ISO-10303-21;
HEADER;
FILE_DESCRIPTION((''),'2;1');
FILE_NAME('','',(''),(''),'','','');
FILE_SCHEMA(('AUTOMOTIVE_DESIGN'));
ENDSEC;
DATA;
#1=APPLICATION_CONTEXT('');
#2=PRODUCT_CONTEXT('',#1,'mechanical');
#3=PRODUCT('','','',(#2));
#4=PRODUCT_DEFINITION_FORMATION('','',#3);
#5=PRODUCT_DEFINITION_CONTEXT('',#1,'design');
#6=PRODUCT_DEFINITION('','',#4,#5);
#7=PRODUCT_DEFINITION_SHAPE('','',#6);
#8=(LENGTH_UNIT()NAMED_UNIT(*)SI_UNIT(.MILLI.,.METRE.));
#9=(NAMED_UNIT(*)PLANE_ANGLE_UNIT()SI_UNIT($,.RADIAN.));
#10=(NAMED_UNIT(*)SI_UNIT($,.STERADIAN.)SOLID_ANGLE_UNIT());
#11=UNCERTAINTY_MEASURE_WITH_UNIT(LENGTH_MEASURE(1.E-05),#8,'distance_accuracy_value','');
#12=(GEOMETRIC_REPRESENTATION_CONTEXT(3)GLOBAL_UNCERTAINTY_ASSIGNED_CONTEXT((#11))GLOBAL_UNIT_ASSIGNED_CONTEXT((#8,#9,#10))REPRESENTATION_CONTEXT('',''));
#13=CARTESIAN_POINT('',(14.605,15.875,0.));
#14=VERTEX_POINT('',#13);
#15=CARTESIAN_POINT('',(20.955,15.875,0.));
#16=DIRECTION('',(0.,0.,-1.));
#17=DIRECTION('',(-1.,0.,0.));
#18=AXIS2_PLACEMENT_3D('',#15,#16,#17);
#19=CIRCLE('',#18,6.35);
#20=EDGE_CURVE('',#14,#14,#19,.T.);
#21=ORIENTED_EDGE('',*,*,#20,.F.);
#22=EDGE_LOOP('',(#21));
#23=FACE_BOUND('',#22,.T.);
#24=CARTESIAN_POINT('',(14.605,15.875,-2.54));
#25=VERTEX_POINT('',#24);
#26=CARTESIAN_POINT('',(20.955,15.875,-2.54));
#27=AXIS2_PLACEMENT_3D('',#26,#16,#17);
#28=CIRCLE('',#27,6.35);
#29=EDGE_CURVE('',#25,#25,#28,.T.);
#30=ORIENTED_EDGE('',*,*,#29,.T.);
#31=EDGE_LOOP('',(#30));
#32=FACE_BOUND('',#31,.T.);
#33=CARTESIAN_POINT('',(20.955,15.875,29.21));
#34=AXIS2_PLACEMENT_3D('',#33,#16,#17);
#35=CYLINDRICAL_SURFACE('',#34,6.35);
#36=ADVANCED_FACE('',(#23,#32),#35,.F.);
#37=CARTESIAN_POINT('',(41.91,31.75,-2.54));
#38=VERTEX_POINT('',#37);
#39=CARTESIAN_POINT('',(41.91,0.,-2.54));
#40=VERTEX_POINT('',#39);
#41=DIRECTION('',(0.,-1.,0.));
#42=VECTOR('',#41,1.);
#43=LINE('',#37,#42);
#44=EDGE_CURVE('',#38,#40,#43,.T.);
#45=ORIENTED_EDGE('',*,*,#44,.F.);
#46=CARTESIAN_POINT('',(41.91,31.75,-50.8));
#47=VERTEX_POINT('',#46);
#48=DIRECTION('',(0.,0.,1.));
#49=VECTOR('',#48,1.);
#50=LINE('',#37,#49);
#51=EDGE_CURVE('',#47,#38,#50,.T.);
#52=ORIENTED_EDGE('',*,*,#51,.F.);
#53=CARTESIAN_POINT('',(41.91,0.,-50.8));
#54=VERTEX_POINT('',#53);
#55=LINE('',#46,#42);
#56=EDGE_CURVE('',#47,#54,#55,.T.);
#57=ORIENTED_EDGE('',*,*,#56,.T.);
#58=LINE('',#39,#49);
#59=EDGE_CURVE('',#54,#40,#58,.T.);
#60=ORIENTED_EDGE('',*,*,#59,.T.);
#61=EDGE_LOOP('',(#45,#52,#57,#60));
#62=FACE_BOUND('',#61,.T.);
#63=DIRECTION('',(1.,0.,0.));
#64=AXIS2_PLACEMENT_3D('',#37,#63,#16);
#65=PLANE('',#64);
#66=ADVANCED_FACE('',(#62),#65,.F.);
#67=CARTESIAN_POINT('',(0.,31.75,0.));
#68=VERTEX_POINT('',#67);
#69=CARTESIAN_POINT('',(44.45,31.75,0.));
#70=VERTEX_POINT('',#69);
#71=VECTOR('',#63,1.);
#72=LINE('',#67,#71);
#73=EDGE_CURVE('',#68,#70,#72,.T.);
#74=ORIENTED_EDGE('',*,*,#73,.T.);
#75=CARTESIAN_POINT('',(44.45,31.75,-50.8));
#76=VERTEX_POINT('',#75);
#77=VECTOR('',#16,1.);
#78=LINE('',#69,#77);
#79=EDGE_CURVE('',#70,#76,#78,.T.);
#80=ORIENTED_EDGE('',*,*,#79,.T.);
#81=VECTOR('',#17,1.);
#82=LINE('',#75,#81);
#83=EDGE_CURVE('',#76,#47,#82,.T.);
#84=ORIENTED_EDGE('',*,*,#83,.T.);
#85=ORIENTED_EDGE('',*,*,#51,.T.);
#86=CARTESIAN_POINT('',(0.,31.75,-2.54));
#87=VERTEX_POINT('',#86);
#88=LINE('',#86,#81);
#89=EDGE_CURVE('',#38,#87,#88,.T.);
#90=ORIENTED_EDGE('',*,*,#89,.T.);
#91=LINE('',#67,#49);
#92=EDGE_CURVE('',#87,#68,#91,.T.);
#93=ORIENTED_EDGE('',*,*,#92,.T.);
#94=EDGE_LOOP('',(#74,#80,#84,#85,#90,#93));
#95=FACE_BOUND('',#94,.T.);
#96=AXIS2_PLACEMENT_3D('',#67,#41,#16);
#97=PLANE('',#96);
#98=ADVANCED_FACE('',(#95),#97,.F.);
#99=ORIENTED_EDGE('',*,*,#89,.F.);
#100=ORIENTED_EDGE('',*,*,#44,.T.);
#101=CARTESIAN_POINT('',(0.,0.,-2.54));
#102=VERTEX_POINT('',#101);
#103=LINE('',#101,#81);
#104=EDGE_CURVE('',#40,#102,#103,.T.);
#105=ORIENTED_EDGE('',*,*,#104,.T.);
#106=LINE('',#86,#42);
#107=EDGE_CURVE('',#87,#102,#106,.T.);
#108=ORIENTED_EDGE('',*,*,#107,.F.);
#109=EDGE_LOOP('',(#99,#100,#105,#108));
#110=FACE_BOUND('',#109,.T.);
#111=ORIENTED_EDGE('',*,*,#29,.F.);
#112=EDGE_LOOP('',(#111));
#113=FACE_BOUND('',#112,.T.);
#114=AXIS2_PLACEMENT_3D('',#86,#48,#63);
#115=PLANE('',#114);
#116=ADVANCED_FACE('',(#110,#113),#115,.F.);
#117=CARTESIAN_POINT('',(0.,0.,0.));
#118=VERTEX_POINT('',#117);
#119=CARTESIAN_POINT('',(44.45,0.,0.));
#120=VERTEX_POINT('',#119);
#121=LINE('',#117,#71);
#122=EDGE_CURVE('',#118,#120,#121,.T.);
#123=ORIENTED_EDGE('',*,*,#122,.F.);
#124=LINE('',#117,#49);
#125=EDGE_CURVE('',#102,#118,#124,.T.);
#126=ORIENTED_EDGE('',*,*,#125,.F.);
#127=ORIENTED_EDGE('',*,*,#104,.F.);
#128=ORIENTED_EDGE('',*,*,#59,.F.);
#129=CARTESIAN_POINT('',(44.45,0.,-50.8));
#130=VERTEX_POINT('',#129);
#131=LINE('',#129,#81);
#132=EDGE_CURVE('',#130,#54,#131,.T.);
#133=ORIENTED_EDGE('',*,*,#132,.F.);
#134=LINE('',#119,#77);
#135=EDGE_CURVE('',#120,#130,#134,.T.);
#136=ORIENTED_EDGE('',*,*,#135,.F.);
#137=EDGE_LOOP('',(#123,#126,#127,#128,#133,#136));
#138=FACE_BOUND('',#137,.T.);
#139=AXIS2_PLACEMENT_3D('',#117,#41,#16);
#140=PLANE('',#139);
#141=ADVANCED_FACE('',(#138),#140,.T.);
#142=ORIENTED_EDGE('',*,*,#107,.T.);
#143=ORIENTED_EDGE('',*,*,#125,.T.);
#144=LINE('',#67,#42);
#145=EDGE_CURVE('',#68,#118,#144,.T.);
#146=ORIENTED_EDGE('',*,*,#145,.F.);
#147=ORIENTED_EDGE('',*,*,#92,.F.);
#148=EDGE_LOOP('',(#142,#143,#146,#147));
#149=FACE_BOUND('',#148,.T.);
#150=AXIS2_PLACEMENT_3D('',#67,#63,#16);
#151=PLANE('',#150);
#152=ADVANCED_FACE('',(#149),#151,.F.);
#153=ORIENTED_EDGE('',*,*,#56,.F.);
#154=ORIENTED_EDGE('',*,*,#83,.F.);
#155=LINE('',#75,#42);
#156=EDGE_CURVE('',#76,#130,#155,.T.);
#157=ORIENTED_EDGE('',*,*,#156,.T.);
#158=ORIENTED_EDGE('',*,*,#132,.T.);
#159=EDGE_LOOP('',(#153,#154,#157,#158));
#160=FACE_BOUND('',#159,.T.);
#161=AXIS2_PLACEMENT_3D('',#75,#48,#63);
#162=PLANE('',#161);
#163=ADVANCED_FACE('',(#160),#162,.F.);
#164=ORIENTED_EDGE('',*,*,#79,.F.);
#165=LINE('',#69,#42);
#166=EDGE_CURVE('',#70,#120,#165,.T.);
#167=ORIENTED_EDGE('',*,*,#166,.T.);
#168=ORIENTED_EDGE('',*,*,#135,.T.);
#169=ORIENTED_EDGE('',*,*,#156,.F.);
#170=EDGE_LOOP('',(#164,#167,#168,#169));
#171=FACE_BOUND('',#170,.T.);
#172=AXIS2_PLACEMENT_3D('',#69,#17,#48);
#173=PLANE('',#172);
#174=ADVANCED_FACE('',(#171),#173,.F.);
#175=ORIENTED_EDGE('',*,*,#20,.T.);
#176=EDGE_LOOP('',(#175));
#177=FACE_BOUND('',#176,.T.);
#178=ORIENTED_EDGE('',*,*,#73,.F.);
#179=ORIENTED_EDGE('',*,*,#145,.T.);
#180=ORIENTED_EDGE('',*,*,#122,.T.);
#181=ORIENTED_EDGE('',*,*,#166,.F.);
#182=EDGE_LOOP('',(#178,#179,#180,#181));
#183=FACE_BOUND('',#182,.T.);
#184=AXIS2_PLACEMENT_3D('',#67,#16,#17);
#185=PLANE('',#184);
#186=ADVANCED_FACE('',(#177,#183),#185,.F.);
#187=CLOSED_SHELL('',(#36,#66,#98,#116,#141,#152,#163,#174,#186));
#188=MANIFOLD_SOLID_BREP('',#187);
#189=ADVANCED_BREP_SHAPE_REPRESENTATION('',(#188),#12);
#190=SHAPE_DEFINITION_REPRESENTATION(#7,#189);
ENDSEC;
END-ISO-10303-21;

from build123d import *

# Parameters (mm, degrees)
BOSS_EXTRUDE1_DEPTH = 31.75
SKETCH2_R           = 6.35
CUT_EXTRUDE1_DEPTH  = 31.75


with BuildPart() as part:
    # Sketch1 → Boss-Extrude1 (new body)
    with BuildSketch(Plane(origin=(0, 0, 0), x_dir=(1, 0, 0), z_dir=(0, 1, 0))):
        Polygon((0, 0), (44.45, 0), (44.45, 50.8), (41.91, 50.8), (41.91, 2.54), (0, 2.54), align=None)
    extrude(amount=BOSS_EXTRUDE1_DEPTH)

    # Sketch2 → Cut-Extrude1 (cut)
    with BuildSketch(Plane(origin=(0, 0, -2.54), x_dir=(-1, 0, 0), z_dir=(0, 0, -1))):
        with Locations((-20.955, 15.875)):
            Circle(SKETCH2_R)
    extrude(amount=-CUT_EXTRUDE1_DEPTH, mode=Mode.SUBTRACT)


solid = part.part
